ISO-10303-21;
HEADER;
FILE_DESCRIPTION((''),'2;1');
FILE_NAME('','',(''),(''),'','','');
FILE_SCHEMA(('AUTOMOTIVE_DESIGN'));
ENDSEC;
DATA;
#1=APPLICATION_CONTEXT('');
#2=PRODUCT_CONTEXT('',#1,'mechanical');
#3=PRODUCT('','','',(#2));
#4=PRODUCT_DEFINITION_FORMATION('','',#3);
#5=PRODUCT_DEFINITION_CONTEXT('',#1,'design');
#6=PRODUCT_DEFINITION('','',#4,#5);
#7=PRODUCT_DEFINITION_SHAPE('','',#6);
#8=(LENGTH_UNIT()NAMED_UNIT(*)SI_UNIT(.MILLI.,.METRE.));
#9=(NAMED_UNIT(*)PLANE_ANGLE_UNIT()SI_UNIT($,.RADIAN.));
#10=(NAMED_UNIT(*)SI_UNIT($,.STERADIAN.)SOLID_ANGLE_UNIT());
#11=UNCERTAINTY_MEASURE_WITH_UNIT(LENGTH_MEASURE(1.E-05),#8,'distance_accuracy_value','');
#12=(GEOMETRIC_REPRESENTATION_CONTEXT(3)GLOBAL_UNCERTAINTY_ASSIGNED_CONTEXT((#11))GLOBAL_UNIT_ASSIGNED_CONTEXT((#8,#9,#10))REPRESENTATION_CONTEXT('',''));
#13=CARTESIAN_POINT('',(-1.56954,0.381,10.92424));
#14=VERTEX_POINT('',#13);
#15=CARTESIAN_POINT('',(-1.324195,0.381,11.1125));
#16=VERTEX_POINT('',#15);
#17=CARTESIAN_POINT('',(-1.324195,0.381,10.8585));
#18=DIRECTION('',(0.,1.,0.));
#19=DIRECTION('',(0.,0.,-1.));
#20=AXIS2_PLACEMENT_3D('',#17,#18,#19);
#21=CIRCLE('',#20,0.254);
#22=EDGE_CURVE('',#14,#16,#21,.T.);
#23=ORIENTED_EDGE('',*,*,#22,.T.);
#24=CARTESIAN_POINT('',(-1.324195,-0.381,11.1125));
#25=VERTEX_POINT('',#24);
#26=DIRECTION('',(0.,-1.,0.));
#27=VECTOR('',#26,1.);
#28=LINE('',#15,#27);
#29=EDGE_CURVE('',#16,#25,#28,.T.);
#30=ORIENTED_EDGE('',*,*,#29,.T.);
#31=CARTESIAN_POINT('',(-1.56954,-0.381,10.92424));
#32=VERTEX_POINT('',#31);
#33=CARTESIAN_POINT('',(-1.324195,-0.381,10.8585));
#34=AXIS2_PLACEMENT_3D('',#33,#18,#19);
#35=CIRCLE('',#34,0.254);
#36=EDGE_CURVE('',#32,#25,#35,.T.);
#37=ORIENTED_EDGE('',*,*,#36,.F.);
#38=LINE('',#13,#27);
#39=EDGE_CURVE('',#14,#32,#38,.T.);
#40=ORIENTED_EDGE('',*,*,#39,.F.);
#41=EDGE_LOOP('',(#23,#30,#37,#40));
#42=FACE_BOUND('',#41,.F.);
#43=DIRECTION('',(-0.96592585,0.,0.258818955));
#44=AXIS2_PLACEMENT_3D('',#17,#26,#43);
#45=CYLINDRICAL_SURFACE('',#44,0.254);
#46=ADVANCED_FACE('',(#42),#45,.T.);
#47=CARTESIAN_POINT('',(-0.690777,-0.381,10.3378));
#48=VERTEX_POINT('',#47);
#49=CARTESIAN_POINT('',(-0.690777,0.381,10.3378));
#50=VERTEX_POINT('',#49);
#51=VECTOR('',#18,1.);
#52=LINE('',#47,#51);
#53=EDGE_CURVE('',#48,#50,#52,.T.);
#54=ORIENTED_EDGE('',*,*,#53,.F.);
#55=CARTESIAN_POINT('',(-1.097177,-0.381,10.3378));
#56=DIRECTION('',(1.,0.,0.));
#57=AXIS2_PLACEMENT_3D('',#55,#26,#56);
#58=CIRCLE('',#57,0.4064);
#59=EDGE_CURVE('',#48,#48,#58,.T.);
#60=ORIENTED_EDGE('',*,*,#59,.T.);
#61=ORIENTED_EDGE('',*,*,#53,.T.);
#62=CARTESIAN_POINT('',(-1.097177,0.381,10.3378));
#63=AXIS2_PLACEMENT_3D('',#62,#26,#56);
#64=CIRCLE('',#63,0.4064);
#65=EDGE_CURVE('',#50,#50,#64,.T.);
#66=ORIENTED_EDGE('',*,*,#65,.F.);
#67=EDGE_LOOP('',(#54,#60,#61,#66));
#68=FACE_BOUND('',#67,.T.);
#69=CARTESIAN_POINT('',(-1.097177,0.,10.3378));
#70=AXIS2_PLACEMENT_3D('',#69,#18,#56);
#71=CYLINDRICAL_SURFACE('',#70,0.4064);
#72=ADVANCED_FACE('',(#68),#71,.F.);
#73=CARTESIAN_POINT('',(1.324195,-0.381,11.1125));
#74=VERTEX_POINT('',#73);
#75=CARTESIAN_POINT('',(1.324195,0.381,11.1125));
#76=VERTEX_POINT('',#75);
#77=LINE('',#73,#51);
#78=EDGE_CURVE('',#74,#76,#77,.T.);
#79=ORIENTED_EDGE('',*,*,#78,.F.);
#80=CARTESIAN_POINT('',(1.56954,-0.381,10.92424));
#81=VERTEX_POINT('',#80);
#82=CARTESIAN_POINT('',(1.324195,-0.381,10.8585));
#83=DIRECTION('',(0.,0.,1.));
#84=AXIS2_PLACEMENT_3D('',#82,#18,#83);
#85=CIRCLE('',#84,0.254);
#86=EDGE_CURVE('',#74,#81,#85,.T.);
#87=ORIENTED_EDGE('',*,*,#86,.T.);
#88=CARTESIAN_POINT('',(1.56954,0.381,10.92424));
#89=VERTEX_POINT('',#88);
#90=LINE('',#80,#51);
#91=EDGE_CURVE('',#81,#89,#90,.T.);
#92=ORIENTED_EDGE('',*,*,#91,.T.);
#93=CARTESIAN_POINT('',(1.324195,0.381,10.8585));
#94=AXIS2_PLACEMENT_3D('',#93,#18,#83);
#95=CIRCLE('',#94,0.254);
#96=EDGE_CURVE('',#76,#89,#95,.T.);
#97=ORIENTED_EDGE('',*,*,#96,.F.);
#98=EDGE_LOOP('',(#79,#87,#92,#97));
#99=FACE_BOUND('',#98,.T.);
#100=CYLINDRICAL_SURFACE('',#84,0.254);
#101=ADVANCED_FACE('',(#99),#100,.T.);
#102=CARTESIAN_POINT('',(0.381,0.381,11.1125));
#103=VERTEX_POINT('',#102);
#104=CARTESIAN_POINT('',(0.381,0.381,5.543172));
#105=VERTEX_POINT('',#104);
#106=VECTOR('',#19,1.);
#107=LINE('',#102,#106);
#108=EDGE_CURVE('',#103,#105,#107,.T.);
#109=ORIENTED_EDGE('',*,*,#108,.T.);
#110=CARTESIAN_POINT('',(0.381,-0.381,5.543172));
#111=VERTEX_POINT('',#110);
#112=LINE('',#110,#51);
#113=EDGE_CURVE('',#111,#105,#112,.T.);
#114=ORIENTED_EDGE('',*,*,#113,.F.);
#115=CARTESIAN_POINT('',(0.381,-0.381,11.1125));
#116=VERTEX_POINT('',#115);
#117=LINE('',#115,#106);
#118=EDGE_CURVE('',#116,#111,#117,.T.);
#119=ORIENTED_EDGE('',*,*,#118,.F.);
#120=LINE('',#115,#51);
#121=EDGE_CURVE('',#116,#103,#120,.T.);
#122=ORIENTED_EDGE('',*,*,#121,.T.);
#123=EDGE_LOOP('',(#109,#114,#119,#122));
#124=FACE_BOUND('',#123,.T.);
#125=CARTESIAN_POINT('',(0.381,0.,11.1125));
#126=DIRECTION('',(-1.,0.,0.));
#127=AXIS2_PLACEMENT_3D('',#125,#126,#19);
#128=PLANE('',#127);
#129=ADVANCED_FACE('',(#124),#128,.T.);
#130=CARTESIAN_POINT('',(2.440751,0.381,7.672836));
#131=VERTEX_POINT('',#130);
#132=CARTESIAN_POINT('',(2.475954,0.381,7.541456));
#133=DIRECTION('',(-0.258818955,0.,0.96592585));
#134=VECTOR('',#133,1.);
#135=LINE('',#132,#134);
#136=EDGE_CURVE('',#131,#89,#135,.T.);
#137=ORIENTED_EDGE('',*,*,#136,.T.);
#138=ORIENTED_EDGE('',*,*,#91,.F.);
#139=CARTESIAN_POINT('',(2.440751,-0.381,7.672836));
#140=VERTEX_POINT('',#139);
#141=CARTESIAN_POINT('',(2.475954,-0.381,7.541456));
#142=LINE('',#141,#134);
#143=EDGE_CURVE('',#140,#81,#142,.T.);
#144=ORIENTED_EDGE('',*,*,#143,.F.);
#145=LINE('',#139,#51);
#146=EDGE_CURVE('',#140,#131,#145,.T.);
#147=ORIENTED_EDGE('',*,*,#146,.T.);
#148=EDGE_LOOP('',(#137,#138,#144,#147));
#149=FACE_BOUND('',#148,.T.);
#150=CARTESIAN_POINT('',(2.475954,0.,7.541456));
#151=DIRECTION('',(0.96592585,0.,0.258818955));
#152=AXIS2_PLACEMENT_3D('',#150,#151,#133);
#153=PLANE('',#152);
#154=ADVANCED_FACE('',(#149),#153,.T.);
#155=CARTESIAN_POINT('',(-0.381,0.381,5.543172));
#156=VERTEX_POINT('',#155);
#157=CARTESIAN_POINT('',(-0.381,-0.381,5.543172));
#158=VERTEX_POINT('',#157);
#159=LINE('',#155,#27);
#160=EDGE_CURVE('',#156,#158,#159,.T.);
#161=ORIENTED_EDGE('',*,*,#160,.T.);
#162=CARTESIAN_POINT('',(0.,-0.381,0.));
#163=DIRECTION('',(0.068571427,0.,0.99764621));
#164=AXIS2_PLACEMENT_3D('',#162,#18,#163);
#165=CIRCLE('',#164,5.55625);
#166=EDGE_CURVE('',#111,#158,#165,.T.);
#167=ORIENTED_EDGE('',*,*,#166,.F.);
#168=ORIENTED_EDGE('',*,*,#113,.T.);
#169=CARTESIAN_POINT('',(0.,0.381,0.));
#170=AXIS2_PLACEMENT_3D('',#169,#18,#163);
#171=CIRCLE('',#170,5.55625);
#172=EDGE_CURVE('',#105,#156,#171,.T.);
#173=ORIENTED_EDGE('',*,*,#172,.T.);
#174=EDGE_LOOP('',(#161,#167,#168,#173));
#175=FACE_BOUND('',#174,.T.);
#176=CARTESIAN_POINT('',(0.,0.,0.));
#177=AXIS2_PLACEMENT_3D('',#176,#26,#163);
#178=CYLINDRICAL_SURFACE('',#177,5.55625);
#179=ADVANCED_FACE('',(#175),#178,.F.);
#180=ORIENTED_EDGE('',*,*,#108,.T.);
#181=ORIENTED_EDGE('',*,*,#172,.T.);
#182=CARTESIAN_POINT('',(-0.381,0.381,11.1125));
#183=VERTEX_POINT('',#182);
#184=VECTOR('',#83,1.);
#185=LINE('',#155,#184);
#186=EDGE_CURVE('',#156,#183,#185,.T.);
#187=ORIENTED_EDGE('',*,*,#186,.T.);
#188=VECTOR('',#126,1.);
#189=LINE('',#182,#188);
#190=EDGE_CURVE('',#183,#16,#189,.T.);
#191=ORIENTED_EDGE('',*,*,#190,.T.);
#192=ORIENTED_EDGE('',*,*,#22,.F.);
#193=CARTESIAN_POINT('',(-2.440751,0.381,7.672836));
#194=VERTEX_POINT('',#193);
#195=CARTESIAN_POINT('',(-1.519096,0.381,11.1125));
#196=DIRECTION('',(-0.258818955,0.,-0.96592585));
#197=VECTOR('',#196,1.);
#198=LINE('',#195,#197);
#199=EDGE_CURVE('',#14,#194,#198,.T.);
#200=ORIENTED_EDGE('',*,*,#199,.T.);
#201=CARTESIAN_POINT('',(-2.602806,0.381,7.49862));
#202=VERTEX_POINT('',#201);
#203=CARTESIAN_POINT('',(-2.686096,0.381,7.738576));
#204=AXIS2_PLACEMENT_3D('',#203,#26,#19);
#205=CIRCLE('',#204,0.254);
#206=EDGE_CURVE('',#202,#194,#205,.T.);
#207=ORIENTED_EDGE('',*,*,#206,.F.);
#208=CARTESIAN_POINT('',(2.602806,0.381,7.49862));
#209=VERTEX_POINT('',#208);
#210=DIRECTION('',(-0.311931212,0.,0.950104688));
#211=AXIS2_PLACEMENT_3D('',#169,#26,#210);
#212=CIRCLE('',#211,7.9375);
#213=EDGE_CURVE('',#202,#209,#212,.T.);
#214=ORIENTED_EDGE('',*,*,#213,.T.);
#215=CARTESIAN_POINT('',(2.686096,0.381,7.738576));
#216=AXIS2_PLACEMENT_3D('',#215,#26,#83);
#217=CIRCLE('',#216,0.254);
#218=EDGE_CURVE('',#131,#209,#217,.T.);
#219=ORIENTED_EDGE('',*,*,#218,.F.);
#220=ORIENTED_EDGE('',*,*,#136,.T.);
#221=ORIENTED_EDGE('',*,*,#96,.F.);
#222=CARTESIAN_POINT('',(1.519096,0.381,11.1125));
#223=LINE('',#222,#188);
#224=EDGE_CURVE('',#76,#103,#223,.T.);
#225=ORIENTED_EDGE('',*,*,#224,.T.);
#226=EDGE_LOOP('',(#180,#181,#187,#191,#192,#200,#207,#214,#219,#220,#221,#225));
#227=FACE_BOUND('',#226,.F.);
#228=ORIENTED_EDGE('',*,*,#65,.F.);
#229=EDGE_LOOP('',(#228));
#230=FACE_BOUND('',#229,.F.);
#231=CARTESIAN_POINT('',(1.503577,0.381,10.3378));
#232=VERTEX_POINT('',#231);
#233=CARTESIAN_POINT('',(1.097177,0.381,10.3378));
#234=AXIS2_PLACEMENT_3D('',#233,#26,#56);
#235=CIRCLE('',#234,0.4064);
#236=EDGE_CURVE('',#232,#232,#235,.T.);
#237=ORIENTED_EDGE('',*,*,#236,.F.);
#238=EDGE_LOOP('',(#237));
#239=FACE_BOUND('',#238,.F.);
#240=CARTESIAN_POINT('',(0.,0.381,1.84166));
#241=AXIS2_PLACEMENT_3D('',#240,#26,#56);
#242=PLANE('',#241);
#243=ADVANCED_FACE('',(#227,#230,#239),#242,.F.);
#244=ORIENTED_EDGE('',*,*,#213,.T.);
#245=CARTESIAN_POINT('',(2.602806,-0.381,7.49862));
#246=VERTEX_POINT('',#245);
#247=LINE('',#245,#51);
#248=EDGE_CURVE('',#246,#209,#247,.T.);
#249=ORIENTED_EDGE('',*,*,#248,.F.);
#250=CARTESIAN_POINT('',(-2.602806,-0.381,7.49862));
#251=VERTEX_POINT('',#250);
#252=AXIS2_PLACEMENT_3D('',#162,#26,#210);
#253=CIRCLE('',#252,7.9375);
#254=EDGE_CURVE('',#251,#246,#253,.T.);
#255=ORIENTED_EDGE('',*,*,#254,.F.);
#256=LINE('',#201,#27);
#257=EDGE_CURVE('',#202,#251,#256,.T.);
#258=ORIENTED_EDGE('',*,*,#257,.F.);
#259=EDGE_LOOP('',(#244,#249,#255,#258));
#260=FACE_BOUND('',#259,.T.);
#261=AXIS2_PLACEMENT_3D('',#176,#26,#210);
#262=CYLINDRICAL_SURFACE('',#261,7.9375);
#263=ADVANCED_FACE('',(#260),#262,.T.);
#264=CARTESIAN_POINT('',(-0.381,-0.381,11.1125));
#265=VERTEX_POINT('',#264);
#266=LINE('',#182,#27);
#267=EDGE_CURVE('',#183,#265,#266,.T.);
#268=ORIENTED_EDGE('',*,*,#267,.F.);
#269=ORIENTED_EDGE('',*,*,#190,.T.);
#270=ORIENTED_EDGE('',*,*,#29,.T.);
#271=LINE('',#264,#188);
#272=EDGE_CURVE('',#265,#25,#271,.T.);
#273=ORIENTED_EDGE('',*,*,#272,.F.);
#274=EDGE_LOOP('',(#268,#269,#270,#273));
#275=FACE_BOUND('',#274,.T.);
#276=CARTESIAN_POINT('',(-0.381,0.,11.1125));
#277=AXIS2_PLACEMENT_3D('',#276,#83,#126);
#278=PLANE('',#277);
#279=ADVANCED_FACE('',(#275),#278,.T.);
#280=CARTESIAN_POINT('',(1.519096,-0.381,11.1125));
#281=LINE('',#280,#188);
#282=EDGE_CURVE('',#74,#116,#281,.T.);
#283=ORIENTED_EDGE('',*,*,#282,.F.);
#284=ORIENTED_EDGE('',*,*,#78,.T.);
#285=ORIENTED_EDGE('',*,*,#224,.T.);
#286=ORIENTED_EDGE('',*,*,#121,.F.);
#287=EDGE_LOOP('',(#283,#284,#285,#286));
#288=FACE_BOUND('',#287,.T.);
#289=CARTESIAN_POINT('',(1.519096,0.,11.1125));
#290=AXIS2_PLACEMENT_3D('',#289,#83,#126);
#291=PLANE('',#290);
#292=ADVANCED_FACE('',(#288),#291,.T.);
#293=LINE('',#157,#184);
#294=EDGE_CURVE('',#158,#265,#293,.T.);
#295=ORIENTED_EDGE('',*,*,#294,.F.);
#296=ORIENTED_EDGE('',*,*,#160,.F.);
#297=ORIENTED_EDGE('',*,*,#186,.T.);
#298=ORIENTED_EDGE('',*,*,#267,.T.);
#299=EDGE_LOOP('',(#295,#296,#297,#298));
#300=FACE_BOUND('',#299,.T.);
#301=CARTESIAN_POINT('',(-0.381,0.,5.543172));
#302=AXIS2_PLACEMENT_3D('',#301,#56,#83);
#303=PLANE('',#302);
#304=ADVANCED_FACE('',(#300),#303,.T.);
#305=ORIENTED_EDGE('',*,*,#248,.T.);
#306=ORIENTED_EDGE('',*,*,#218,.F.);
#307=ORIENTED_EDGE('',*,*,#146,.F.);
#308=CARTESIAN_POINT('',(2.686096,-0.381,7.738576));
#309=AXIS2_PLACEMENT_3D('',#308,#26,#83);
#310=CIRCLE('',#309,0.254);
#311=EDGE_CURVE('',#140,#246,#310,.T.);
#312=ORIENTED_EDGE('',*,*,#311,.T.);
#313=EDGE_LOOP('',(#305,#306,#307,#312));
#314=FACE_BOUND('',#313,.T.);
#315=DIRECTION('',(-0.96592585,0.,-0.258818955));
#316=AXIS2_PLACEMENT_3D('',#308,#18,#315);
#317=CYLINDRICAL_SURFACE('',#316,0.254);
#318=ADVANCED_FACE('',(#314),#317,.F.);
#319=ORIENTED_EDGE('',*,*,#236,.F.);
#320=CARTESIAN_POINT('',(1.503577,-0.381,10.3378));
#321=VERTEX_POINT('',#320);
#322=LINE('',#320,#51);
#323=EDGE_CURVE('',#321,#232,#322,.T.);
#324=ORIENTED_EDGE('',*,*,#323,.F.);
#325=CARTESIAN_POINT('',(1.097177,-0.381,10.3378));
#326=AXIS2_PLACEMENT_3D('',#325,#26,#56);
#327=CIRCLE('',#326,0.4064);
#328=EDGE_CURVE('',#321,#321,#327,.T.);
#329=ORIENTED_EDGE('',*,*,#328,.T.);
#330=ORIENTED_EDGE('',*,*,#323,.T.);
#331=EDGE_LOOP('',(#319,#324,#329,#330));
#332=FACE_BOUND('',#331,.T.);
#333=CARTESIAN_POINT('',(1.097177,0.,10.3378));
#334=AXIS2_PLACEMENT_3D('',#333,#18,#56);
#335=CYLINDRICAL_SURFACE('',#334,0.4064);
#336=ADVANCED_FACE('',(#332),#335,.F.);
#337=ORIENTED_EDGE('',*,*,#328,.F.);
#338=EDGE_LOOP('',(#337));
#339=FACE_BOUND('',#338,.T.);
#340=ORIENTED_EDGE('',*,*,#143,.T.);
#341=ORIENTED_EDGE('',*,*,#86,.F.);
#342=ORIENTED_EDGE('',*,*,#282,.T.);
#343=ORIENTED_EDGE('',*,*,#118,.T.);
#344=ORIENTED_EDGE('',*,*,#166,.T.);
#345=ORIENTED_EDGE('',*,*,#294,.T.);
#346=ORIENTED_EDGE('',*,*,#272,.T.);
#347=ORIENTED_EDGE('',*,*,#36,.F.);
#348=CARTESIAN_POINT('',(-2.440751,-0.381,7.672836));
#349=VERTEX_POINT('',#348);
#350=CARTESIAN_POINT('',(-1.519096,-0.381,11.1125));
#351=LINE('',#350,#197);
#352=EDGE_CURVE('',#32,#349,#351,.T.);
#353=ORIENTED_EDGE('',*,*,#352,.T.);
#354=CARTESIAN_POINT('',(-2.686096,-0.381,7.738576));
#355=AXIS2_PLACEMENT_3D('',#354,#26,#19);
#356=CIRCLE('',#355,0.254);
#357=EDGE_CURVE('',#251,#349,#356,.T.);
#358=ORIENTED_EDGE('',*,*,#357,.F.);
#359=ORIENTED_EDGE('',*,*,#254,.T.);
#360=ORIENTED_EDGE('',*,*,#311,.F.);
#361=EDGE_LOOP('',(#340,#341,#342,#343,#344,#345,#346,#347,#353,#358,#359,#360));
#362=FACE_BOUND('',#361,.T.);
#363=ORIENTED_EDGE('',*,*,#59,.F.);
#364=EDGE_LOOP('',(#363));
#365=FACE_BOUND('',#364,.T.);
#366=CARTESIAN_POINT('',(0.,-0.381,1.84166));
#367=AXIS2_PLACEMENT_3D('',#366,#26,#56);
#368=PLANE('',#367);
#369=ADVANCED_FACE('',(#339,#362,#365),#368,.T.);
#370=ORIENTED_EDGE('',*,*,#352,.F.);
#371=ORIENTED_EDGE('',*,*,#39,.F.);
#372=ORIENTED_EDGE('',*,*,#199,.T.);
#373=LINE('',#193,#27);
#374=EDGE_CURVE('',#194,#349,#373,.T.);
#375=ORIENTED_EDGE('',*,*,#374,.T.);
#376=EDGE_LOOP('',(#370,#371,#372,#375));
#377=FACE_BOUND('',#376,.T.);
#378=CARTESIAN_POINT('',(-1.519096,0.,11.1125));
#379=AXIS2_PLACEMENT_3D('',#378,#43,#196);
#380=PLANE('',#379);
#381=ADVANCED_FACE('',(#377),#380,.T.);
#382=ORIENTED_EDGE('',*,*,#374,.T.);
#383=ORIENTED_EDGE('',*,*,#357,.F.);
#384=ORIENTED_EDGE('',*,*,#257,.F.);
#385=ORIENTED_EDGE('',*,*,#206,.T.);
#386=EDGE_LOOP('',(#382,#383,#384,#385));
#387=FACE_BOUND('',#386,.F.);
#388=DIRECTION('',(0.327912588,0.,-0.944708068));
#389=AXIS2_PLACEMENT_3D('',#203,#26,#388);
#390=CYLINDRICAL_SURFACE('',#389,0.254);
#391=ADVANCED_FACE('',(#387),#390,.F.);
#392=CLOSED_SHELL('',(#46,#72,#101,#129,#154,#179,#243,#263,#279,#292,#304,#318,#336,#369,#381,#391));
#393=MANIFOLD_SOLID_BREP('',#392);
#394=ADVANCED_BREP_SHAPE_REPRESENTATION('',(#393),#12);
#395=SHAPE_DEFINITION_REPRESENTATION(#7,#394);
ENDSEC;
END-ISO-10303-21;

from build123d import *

# Parameters (mm, degrees)
F0_R     = 0.4064
F1_DEPTH = 0.381
F2_R     = 0.254


with BuildPart() as f1:
    # F0 (on Front) → F1 (new body, symmetric)
    with BuildSketch(Plane.XZ):
        with BuildLine():
            ThreePointArc((0.381, 5.543172), (0, -5.55625), (-0.381, 5.543172))
            Line((-0.381, 5.543172), (-0.381, 11.1125))
            Line((-0.381, 11.1125), (-1.519096, 11.1125))
            Line((-1.519096, 11.1125), (-2.475954, 7.541456))
            ThreePointArc((-2.475954, 7.541456), (0, -7.9375), (2.475954, 7.541456))
            Line((2.475954, 7.541456), (1.519096, 11.1125))
            Line((1.519096, 11.1125), (0.381, 11.1125))
            Line((0.381, 11.1125), (0.381, 5.543172))
        make_face()
        with Locations((-1.097177, 10.3378)):
            Circle(F0_R, mode=Mode.SUBTRACT)
        with Locations((1.097177, 10.3378)):
            Circle(F0_R, mode=Mode.SUBTRACT)
    extrude(amount=F1_DEPTH, both=True)

    # F2
    f2_edges = [f1.edges().sort_by_distance(p)[0] for p in [
        (-1.519096, 0, 11.1125),
        (1.519096, 0, 11.1125),
        (-2.475954, 0, 7.541456),
        (2.475954, 0, 7.541456),
    ]]
    fillet(f2_edges, radius=F2_R)


solid = f1.part
